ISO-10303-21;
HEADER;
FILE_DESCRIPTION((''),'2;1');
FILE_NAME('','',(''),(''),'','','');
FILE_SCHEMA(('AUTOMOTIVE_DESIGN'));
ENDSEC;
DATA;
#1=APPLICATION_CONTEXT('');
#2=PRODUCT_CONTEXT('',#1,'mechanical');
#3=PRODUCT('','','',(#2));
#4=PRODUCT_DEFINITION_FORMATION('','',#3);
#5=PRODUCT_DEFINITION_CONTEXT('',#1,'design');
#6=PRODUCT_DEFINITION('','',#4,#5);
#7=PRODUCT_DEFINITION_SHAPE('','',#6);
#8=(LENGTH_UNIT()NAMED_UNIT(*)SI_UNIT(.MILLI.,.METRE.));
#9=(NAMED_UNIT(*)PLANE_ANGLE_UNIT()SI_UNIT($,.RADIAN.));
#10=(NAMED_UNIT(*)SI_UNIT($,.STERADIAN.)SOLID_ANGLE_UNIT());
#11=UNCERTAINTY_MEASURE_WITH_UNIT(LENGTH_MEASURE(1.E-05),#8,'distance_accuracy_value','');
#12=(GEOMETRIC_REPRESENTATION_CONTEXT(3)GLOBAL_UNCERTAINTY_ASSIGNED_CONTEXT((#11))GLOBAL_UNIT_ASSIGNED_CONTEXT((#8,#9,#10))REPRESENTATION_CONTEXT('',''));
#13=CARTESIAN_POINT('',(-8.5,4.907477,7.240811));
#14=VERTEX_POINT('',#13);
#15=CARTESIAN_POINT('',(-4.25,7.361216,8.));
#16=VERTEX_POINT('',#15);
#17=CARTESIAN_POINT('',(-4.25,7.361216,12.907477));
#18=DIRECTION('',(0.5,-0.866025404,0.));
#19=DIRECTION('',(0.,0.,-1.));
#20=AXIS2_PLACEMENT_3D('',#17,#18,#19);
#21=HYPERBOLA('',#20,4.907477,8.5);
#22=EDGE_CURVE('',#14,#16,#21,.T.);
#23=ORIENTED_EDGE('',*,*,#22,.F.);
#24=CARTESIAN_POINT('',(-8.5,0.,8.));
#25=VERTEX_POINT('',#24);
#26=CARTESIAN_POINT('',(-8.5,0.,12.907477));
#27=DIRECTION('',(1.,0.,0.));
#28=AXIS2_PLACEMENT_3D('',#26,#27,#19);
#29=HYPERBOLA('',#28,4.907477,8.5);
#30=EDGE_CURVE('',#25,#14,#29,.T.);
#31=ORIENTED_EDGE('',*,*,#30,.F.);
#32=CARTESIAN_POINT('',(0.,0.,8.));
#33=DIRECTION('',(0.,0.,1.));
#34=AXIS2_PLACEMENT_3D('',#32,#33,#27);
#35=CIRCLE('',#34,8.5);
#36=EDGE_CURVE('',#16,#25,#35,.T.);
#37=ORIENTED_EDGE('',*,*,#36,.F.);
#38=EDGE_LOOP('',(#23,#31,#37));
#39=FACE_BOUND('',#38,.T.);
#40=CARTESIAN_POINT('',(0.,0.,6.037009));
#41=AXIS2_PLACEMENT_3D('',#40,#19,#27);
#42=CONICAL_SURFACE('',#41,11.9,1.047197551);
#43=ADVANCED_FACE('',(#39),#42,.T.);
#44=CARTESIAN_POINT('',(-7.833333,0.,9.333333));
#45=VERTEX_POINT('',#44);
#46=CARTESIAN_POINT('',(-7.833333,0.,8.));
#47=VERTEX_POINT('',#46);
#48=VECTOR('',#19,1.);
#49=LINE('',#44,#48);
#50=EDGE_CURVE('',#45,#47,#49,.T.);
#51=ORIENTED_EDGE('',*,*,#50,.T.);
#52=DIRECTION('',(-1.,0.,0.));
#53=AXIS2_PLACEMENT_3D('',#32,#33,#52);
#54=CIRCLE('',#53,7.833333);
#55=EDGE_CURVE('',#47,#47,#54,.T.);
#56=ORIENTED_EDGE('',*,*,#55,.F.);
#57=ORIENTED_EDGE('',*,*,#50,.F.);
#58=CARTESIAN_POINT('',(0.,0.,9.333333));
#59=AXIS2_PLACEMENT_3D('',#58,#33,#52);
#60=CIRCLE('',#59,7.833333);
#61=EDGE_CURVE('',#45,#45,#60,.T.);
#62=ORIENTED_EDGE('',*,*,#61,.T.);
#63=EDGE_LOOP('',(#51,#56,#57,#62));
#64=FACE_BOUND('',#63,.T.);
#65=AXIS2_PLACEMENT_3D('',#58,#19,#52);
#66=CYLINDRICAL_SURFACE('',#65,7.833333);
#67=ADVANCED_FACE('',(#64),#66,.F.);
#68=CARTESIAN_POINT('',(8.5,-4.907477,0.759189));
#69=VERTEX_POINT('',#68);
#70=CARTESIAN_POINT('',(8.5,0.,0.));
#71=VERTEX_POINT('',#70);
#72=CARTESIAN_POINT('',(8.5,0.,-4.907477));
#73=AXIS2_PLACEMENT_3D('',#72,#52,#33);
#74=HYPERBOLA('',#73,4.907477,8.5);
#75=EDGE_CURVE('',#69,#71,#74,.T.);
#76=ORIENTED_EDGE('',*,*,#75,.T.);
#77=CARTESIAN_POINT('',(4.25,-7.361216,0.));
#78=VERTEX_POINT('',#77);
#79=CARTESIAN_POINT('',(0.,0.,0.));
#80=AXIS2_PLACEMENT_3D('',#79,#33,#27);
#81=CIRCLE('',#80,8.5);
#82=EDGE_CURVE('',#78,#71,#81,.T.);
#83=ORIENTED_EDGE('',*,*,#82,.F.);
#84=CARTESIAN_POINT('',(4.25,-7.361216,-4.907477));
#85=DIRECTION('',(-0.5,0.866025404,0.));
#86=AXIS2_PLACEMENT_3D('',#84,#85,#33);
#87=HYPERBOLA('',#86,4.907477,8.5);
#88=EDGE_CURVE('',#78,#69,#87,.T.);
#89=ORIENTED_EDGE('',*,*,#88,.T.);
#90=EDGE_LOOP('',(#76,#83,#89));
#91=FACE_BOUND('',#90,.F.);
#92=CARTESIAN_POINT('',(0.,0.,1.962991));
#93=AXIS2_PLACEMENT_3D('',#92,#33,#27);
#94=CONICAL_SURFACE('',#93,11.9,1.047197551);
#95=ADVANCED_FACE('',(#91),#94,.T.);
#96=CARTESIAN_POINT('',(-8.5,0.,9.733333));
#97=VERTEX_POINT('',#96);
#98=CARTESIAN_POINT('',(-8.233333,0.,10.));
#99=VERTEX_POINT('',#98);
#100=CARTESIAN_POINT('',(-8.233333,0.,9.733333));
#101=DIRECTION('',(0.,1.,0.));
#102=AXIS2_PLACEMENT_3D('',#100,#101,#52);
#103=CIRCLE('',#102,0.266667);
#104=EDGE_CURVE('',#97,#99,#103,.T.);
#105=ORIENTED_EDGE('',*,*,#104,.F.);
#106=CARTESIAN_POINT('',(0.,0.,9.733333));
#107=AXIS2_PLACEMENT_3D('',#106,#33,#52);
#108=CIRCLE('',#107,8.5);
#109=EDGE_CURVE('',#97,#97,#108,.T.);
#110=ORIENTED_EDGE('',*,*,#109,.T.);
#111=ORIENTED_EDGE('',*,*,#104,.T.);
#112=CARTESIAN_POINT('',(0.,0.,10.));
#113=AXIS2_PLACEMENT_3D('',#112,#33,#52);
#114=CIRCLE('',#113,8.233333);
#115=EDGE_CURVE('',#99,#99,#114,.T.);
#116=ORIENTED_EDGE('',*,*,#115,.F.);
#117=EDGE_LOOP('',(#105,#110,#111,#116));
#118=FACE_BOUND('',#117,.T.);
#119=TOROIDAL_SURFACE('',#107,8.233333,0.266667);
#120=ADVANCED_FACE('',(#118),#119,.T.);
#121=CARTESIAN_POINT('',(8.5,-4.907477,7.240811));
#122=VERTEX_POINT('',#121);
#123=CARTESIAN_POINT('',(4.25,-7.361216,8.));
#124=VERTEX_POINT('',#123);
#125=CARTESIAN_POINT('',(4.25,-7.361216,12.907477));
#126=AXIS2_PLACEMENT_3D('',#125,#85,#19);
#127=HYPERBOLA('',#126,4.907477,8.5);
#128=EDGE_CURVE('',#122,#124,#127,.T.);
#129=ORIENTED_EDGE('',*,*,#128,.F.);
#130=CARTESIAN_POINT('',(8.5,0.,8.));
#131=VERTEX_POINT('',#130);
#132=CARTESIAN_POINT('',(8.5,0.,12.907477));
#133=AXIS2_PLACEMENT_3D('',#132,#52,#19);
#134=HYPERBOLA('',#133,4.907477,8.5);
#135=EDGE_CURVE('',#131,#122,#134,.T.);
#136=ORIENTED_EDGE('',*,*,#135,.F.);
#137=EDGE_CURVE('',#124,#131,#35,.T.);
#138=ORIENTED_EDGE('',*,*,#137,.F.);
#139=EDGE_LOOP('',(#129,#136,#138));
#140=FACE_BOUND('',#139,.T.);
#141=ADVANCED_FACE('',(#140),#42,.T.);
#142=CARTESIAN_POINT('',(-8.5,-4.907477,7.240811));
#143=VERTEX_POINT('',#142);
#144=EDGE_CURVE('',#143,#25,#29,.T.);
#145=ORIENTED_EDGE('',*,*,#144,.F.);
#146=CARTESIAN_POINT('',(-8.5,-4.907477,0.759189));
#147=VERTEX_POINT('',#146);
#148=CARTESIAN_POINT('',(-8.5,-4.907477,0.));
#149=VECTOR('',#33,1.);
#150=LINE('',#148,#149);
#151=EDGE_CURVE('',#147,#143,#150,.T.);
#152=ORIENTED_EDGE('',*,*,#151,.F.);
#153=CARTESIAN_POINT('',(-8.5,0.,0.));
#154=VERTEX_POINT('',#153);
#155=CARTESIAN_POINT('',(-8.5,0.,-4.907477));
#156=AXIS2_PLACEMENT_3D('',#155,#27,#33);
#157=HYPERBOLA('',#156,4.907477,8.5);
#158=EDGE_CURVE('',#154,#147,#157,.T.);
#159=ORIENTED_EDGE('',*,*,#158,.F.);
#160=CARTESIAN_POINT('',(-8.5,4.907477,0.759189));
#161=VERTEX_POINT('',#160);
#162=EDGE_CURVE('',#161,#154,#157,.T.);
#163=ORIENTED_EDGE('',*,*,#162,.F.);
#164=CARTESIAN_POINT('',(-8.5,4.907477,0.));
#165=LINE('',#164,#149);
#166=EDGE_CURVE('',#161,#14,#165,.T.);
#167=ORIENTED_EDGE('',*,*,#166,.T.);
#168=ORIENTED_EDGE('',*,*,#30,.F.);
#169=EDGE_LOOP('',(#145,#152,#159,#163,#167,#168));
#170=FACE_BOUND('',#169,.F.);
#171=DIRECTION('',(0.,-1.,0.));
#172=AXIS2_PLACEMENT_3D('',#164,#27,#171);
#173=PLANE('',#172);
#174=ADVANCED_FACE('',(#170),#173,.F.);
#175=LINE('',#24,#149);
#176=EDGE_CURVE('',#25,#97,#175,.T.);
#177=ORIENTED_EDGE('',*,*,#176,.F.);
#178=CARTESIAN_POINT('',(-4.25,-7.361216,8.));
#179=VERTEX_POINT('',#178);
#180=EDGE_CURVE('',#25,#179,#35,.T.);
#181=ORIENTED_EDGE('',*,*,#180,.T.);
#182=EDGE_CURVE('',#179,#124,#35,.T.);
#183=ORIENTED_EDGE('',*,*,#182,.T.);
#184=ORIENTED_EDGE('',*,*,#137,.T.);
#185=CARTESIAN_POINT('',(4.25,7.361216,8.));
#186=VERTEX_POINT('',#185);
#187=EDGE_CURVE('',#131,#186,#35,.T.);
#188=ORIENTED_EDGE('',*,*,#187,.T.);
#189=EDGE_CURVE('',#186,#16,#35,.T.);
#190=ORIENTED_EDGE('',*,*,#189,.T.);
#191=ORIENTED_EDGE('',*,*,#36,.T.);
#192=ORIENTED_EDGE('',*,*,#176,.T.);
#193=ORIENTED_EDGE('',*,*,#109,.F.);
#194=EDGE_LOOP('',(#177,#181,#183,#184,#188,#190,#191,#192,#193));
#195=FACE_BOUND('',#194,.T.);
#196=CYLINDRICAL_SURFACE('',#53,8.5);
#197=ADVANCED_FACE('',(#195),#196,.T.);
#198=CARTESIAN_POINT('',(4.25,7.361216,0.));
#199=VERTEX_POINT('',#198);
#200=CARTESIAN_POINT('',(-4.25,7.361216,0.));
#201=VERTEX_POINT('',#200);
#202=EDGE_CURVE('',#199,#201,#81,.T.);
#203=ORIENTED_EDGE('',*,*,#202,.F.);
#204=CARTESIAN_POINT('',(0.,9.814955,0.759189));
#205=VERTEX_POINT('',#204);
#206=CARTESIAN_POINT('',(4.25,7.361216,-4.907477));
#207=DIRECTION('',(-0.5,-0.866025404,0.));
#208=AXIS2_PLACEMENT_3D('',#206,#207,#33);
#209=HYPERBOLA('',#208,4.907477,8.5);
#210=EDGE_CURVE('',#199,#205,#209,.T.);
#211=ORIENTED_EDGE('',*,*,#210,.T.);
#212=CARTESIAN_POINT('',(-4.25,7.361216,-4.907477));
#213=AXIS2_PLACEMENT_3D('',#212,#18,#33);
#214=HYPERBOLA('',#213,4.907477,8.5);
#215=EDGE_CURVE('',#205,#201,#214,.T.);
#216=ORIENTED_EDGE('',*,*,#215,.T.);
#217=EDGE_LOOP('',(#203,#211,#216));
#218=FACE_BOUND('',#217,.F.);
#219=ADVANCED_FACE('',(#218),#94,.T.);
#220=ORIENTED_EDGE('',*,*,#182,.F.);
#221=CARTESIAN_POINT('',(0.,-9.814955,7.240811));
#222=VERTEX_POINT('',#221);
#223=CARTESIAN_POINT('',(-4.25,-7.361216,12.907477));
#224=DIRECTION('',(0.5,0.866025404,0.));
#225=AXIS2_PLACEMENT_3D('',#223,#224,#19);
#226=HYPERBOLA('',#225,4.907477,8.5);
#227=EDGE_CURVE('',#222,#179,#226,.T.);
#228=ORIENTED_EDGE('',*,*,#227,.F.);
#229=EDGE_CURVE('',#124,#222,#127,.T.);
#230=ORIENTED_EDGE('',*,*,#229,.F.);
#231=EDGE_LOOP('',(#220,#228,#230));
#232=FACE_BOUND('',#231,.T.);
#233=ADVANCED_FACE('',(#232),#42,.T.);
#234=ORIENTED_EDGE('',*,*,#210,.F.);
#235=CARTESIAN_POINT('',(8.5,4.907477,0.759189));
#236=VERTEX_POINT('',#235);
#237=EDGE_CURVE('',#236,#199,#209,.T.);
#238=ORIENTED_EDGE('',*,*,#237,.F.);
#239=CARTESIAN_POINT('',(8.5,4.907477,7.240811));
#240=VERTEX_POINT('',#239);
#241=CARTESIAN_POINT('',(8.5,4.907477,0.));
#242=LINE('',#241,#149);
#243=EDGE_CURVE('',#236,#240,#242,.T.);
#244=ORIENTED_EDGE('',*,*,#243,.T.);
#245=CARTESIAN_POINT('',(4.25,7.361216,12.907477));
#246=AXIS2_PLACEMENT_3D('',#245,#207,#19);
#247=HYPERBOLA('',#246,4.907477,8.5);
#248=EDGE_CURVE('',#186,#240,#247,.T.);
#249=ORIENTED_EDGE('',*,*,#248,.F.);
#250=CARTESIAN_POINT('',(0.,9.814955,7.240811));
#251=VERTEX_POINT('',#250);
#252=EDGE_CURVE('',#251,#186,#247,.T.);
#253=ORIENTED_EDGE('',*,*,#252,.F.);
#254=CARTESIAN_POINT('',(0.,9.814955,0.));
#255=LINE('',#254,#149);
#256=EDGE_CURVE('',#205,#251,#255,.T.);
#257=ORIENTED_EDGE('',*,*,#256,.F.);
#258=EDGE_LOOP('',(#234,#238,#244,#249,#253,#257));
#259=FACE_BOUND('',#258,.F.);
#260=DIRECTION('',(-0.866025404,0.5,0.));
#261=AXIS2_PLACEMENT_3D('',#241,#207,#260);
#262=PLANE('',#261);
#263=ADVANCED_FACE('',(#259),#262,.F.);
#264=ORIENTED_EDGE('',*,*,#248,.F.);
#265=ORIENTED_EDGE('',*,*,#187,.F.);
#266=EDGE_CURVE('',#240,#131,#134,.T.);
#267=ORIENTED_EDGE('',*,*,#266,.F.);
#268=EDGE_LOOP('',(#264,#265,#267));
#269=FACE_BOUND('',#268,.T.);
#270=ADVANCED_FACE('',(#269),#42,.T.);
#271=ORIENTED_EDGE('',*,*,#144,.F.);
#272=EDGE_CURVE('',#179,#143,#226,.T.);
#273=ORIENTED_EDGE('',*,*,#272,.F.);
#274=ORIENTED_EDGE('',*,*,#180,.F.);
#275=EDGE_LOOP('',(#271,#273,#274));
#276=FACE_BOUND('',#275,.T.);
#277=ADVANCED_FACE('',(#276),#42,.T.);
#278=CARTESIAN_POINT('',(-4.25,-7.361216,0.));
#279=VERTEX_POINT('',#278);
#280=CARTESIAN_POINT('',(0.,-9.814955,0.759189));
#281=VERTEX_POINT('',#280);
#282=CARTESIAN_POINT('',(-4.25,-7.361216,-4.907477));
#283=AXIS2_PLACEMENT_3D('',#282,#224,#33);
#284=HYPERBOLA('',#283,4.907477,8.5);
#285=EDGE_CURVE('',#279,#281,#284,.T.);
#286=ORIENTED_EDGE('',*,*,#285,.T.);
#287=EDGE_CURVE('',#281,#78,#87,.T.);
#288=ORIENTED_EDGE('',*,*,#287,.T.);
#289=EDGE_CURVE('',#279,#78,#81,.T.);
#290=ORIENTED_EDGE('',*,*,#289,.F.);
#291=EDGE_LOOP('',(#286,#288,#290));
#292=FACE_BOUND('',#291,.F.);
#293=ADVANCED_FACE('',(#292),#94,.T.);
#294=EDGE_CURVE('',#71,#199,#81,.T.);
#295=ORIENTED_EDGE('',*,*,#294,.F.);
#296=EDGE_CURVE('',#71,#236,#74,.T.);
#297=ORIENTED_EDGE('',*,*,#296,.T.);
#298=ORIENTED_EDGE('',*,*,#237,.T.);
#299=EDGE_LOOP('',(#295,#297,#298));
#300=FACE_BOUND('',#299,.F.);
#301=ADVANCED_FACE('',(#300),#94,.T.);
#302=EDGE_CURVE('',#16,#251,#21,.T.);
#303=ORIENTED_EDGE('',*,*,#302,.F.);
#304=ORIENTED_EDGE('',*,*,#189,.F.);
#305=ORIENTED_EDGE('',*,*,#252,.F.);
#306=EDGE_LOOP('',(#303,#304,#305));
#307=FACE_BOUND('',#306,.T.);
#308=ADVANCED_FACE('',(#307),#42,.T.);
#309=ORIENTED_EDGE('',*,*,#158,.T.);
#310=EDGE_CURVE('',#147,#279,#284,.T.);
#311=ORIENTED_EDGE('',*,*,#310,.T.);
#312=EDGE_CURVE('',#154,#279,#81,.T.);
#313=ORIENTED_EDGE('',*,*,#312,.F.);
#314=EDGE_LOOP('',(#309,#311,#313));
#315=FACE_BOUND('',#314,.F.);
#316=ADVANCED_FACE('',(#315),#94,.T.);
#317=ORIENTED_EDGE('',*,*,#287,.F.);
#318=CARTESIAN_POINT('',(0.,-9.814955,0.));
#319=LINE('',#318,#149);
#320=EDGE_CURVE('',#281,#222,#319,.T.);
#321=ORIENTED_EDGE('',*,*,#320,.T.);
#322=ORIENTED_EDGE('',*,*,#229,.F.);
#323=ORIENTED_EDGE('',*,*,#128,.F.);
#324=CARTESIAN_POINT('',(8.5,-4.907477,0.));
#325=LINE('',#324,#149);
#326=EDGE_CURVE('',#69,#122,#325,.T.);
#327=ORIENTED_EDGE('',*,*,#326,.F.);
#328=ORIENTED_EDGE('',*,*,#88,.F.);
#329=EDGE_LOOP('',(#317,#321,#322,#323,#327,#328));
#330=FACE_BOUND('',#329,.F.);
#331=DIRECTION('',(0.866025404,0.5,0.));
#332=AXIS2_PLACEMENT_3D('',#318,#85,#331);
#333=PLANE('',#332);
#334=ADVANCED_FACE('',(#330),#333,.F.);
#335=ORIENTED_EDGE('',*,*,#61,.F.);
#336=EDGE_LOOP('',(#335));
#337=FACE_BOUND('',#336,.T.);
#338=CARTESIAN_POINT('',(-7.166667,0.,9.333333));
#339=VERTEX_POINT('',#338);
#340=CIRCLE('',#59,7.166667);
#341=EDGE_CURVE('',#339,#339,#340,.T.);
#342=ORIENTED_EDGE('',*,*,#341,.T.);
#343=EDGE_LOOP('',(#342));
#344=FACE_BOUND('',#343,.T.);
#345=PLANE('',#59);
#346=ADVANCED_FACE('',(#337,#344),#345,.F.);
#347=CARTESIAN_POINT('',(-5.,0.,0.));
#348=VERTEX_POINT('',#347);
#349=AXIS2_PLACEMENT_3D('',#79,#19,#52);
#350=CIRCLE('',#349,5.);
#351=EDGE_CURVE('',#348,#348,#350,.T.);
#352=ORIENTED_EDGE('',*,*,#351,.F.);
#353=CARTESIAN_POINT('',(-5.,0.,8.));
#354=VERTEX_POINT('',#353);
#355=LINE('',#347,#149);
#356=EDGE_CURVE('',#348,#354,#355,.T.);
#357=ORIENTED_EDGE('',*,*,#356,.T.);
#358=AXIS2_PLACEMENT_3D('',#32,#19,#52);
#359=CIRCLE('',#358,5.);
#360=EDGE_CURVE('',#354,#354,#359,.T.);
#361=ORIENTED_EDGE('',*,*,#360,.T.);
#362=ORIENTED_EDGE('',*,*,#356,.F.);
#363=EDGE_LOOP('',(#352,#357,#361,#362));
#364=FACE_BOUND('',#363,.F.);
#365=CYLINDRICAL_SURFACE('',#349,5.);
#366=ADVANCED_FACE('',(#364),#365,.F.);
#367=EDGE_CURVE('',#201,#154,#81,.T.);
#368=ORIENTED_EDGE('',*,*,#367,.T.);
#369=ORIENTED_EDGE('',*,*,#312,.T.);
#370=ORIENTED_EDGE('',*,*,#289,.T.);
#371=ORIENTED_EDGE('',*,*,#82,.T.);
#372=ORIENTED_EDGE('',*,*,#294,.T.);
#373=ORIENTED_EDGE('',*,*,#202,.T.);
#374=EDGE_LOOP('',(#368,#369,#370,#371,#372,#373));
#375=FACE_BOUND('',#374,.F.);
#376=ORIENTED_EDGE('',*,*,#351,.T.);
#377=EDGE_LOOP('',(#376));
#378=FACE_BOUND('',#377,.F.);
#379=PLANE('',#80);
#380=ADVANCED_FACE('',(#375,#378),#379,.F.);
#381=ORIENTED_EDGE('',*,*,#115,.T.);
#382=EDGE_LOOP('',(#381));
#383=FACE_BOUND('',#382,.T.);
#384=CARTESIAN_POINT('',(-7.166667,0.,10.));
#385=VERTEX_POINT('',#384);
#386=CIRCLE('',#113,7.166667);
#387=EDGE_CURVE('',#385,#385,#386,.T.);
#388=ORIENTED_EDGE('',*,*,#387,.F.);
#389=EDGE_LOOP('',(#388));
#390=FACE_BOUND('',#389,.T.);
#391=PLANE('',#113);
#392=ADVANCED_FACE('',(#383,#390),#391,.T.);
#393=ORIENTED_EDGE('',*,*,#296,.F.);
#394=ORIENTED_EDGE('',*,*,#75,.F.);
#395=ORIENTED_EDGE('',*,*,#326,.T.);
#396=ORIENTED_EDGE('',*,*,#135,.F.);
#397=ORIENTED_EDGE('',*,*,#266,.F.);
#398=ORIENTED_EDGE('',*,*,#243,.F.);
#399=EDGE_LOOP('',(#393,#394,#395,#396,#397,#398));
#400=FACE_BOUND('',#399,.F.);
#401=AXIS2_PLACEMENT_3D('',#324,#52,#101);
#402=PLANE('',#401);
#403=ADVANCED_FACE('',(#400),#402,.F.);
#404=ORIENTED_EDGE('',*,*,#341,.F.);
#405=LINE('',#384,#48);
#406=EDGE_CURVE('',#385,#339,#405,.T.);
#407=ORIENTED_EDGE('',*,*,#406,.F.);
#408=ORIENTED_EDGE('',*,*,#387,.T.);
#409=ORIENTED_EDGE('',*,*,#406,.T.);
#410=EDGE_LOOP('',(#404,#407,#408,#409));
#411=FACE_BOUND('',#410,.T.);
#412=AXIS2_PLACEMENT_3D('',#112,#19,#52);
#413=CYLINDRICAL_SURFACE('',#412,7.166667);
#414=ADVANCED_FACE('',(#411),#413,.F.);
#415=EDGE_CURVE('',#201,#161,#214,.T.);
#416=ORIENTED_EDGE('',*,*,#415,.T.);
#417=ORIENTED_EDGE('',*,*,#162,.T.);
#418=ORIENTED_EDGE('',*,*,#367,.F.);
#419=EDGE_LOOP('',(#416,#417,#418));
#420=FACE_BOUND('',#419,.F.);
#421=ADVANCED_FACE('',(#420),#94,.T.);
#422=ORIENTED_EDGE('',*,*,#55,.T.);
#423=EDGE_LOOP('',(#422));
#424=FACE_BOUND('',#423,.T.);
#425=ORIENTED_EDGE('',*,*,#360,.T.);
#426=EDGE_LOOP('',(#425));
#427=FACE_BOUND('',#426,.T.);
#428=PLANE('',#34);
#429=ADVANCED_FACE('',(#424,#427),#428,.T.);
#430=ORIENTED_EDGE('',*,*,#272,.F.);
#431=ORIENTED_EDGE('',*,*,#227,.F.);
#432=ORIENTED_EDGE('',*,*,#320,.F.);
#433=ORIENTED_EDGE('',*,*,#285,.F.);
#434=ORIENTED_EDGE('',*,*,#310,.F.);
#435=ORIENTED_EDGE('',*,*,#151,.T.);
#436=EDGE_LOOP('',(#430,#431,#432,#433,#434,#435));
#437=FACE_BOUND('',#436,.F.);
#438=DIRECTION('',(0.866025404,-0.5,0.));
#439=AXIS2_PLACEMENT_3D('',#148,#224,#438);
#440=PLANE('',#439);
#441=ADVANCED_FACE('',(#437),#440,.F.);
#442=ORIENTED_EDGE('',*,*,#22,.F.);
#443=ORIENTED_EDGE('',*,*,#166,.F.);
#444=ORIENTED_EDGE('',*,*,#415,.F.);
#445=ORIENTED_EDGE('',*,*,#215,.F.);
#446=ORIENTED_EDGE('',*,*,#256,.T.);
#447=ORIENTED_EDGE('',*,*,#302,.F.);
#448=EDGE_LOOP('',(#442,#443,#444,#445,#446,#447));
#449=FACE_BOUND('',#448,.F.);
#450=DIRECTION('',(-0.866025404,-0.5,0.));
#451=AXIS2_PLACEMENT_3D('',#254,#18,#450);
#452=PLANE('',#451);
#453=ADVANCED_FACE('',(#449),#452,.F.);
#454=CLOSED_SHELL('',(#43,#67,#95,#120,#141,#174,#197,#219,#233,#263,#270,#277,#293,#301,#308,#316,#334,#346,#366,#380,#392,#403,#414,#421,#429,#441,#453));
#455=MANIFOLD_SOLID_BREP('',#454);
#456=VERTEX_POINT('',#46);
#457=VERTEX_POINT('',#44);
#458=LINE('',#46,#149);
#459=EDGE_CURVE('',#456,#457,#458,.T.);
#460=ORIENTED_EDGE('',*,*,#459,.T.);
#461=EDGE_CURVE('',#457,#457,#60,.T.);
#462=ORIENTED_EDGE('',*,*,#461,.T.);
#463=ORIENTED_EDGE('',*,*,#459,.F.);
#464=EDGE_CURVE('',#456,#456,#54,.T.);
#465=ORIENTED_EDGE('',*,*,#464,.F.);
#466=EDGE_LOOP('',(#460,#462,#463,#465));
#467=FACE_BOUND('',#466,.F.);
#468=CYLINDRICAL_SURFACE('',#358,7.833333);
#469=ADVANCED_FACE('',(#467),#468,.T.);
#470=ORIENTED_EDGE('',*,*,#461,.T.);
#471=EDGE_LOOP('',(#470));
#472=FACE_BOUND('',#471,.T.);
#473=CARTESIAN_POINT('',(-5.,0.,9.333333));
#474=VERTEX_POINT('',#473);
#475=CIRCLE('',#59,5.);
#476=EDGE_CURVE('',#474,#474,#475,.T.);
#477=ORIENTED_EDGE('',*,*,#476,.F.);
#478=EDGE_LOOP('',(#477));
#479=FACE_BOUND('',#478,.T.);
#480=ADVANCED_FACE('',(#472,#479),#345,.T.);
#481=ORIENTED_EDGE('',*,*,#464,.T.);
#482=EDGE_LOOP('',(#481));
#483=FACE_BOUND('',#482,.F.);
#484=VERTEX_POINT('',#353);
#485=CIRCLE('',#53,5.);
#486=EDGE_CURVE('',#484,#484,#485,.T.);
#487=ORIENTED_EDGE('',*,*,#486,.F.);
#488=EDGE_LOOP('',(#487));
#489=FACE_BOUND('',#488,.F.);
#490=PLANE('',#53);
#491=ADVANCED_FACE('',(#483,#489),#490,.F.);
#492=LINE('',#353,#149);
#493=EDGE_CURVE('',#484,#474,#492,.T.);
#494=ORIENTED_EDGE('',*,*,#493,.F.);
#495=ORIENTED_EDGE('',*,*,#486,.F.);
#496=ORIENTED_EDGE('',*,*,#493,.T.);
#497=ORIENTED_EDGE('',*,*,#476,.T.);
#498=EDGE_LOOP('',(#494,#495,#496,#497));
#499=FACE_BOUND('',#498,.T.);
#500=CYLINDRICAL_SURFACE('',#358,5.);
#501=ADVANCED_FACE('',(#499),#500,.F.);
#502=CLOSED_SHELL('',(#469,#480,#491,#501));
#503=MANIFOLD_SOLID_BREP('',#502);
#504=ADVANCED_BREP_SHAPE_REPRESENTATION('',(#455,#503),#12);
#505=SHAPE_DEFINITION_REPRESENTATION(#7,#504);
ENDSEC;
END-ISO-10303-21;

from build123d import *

# Parameters (mm, degrees)
EXTRUDE1_DEPTH     = 8
SKETCH5_R          = 7.833333333
SKETCH5_R_2        = 5
EXTRUDE2_DEPTH     = 1.333333333
SKETCH4_R          = 5
CUT_EXTRUDE1_DEPTH = 17.388512237
FILLET2_R          = 0.266666667


with BuildPart() as part:
    # Sketch1 → Extrude1 (new body)
    with BuildSketch(Plane.XY):
        Polygon((0, 9.814954576), (-8.5, 4.907477288), (-8.5, -4.907477288), (0, -9.814954576), (8.5, -4.907477288), (8.5, 4.907477288), align=None)
    extrude(amount=EXTRUDE1_DEPTH)

    # Sketch2 → Cut-Revolve1 (revolve, cut)
    with BuildSketch(Plane(origin=(0, 0, 0), x_dir=(1, 0, 0), z_dir=(0, 1, 0))):
        Polygon((8.5, -8), (11.9, -8), (11.9, -6.037009085), align=None)
    cut_revolve1 = revolve(axis=Axis((0, 0, 0), (0, 0, 1)), mode=Mode.SUBTRACT)

    # Mirror1: Cut-Revolve1 across plane
    add(cut_revolve1.mirror(Plane(origin=(0, 0, 4), x_dir=(1, 0, 0), z_dir=(0, 0, -1))), mode=Mode.SUBTRACT)

    # Sketch3 → Revolve1 (revolve)
    with BuildSketch(Plane(origin=(0, 0, 0), x_dir=(1, 0, 0), z_dir=(0, 1, 0)), mode=Mode.PRIVATE) as revolve1_sk:
        Polygon((8.5, -8), (8.5, -10), (7.166666667, -10), (7.166666667, -9.333333333), (7.833333333, -9.333333333), (7.833333333, -8), align=None)
    revolve(revolve1_sk.sketch.rotate(Axis((0, 0, 0), (0, 0, 1)), 180), axis=Axis((0, 0, 0), (0, 0, 1)))

    # Sketch4 → Cut-Extrude1 (cut, through all)
    with BuildSketch(Plane(origin=(0, 0, 0), x_dir=(-1, 0, 0), z_dir=(0, 0, -1))):
        Circle(SKETCH4_R)
    extrude(amount=-CUT_EXTRUDE1_DEPTH, mode=Mode.SUBTRACT)

    # Fillet2
    fillet2_edges = [part.edges().sort_by_distance(p)[0] for p in [
        (8.5, 0, 10),
    ]]
    fillet(fillet2_edges, radius=FILLET2_R)


with BuildPart() as body_2:
    # Sketch5 → Extrude2 (new body)
    with BuildSketch(Plane.XY.offset(8)):
        with Locations(Location((0, 0, 0), (0, 0, 180))):
            Circle(SKETCH5_R)
        with Locations(Location((0, 0, 0), (0, 0, 180))):
            Circle(SKETCH5_R_2, mode=Mode.SUBTRACT)
    extrude(amount=EXTRUDE2_DEPTH)


solid = Compound([part.part, body_2.part])
